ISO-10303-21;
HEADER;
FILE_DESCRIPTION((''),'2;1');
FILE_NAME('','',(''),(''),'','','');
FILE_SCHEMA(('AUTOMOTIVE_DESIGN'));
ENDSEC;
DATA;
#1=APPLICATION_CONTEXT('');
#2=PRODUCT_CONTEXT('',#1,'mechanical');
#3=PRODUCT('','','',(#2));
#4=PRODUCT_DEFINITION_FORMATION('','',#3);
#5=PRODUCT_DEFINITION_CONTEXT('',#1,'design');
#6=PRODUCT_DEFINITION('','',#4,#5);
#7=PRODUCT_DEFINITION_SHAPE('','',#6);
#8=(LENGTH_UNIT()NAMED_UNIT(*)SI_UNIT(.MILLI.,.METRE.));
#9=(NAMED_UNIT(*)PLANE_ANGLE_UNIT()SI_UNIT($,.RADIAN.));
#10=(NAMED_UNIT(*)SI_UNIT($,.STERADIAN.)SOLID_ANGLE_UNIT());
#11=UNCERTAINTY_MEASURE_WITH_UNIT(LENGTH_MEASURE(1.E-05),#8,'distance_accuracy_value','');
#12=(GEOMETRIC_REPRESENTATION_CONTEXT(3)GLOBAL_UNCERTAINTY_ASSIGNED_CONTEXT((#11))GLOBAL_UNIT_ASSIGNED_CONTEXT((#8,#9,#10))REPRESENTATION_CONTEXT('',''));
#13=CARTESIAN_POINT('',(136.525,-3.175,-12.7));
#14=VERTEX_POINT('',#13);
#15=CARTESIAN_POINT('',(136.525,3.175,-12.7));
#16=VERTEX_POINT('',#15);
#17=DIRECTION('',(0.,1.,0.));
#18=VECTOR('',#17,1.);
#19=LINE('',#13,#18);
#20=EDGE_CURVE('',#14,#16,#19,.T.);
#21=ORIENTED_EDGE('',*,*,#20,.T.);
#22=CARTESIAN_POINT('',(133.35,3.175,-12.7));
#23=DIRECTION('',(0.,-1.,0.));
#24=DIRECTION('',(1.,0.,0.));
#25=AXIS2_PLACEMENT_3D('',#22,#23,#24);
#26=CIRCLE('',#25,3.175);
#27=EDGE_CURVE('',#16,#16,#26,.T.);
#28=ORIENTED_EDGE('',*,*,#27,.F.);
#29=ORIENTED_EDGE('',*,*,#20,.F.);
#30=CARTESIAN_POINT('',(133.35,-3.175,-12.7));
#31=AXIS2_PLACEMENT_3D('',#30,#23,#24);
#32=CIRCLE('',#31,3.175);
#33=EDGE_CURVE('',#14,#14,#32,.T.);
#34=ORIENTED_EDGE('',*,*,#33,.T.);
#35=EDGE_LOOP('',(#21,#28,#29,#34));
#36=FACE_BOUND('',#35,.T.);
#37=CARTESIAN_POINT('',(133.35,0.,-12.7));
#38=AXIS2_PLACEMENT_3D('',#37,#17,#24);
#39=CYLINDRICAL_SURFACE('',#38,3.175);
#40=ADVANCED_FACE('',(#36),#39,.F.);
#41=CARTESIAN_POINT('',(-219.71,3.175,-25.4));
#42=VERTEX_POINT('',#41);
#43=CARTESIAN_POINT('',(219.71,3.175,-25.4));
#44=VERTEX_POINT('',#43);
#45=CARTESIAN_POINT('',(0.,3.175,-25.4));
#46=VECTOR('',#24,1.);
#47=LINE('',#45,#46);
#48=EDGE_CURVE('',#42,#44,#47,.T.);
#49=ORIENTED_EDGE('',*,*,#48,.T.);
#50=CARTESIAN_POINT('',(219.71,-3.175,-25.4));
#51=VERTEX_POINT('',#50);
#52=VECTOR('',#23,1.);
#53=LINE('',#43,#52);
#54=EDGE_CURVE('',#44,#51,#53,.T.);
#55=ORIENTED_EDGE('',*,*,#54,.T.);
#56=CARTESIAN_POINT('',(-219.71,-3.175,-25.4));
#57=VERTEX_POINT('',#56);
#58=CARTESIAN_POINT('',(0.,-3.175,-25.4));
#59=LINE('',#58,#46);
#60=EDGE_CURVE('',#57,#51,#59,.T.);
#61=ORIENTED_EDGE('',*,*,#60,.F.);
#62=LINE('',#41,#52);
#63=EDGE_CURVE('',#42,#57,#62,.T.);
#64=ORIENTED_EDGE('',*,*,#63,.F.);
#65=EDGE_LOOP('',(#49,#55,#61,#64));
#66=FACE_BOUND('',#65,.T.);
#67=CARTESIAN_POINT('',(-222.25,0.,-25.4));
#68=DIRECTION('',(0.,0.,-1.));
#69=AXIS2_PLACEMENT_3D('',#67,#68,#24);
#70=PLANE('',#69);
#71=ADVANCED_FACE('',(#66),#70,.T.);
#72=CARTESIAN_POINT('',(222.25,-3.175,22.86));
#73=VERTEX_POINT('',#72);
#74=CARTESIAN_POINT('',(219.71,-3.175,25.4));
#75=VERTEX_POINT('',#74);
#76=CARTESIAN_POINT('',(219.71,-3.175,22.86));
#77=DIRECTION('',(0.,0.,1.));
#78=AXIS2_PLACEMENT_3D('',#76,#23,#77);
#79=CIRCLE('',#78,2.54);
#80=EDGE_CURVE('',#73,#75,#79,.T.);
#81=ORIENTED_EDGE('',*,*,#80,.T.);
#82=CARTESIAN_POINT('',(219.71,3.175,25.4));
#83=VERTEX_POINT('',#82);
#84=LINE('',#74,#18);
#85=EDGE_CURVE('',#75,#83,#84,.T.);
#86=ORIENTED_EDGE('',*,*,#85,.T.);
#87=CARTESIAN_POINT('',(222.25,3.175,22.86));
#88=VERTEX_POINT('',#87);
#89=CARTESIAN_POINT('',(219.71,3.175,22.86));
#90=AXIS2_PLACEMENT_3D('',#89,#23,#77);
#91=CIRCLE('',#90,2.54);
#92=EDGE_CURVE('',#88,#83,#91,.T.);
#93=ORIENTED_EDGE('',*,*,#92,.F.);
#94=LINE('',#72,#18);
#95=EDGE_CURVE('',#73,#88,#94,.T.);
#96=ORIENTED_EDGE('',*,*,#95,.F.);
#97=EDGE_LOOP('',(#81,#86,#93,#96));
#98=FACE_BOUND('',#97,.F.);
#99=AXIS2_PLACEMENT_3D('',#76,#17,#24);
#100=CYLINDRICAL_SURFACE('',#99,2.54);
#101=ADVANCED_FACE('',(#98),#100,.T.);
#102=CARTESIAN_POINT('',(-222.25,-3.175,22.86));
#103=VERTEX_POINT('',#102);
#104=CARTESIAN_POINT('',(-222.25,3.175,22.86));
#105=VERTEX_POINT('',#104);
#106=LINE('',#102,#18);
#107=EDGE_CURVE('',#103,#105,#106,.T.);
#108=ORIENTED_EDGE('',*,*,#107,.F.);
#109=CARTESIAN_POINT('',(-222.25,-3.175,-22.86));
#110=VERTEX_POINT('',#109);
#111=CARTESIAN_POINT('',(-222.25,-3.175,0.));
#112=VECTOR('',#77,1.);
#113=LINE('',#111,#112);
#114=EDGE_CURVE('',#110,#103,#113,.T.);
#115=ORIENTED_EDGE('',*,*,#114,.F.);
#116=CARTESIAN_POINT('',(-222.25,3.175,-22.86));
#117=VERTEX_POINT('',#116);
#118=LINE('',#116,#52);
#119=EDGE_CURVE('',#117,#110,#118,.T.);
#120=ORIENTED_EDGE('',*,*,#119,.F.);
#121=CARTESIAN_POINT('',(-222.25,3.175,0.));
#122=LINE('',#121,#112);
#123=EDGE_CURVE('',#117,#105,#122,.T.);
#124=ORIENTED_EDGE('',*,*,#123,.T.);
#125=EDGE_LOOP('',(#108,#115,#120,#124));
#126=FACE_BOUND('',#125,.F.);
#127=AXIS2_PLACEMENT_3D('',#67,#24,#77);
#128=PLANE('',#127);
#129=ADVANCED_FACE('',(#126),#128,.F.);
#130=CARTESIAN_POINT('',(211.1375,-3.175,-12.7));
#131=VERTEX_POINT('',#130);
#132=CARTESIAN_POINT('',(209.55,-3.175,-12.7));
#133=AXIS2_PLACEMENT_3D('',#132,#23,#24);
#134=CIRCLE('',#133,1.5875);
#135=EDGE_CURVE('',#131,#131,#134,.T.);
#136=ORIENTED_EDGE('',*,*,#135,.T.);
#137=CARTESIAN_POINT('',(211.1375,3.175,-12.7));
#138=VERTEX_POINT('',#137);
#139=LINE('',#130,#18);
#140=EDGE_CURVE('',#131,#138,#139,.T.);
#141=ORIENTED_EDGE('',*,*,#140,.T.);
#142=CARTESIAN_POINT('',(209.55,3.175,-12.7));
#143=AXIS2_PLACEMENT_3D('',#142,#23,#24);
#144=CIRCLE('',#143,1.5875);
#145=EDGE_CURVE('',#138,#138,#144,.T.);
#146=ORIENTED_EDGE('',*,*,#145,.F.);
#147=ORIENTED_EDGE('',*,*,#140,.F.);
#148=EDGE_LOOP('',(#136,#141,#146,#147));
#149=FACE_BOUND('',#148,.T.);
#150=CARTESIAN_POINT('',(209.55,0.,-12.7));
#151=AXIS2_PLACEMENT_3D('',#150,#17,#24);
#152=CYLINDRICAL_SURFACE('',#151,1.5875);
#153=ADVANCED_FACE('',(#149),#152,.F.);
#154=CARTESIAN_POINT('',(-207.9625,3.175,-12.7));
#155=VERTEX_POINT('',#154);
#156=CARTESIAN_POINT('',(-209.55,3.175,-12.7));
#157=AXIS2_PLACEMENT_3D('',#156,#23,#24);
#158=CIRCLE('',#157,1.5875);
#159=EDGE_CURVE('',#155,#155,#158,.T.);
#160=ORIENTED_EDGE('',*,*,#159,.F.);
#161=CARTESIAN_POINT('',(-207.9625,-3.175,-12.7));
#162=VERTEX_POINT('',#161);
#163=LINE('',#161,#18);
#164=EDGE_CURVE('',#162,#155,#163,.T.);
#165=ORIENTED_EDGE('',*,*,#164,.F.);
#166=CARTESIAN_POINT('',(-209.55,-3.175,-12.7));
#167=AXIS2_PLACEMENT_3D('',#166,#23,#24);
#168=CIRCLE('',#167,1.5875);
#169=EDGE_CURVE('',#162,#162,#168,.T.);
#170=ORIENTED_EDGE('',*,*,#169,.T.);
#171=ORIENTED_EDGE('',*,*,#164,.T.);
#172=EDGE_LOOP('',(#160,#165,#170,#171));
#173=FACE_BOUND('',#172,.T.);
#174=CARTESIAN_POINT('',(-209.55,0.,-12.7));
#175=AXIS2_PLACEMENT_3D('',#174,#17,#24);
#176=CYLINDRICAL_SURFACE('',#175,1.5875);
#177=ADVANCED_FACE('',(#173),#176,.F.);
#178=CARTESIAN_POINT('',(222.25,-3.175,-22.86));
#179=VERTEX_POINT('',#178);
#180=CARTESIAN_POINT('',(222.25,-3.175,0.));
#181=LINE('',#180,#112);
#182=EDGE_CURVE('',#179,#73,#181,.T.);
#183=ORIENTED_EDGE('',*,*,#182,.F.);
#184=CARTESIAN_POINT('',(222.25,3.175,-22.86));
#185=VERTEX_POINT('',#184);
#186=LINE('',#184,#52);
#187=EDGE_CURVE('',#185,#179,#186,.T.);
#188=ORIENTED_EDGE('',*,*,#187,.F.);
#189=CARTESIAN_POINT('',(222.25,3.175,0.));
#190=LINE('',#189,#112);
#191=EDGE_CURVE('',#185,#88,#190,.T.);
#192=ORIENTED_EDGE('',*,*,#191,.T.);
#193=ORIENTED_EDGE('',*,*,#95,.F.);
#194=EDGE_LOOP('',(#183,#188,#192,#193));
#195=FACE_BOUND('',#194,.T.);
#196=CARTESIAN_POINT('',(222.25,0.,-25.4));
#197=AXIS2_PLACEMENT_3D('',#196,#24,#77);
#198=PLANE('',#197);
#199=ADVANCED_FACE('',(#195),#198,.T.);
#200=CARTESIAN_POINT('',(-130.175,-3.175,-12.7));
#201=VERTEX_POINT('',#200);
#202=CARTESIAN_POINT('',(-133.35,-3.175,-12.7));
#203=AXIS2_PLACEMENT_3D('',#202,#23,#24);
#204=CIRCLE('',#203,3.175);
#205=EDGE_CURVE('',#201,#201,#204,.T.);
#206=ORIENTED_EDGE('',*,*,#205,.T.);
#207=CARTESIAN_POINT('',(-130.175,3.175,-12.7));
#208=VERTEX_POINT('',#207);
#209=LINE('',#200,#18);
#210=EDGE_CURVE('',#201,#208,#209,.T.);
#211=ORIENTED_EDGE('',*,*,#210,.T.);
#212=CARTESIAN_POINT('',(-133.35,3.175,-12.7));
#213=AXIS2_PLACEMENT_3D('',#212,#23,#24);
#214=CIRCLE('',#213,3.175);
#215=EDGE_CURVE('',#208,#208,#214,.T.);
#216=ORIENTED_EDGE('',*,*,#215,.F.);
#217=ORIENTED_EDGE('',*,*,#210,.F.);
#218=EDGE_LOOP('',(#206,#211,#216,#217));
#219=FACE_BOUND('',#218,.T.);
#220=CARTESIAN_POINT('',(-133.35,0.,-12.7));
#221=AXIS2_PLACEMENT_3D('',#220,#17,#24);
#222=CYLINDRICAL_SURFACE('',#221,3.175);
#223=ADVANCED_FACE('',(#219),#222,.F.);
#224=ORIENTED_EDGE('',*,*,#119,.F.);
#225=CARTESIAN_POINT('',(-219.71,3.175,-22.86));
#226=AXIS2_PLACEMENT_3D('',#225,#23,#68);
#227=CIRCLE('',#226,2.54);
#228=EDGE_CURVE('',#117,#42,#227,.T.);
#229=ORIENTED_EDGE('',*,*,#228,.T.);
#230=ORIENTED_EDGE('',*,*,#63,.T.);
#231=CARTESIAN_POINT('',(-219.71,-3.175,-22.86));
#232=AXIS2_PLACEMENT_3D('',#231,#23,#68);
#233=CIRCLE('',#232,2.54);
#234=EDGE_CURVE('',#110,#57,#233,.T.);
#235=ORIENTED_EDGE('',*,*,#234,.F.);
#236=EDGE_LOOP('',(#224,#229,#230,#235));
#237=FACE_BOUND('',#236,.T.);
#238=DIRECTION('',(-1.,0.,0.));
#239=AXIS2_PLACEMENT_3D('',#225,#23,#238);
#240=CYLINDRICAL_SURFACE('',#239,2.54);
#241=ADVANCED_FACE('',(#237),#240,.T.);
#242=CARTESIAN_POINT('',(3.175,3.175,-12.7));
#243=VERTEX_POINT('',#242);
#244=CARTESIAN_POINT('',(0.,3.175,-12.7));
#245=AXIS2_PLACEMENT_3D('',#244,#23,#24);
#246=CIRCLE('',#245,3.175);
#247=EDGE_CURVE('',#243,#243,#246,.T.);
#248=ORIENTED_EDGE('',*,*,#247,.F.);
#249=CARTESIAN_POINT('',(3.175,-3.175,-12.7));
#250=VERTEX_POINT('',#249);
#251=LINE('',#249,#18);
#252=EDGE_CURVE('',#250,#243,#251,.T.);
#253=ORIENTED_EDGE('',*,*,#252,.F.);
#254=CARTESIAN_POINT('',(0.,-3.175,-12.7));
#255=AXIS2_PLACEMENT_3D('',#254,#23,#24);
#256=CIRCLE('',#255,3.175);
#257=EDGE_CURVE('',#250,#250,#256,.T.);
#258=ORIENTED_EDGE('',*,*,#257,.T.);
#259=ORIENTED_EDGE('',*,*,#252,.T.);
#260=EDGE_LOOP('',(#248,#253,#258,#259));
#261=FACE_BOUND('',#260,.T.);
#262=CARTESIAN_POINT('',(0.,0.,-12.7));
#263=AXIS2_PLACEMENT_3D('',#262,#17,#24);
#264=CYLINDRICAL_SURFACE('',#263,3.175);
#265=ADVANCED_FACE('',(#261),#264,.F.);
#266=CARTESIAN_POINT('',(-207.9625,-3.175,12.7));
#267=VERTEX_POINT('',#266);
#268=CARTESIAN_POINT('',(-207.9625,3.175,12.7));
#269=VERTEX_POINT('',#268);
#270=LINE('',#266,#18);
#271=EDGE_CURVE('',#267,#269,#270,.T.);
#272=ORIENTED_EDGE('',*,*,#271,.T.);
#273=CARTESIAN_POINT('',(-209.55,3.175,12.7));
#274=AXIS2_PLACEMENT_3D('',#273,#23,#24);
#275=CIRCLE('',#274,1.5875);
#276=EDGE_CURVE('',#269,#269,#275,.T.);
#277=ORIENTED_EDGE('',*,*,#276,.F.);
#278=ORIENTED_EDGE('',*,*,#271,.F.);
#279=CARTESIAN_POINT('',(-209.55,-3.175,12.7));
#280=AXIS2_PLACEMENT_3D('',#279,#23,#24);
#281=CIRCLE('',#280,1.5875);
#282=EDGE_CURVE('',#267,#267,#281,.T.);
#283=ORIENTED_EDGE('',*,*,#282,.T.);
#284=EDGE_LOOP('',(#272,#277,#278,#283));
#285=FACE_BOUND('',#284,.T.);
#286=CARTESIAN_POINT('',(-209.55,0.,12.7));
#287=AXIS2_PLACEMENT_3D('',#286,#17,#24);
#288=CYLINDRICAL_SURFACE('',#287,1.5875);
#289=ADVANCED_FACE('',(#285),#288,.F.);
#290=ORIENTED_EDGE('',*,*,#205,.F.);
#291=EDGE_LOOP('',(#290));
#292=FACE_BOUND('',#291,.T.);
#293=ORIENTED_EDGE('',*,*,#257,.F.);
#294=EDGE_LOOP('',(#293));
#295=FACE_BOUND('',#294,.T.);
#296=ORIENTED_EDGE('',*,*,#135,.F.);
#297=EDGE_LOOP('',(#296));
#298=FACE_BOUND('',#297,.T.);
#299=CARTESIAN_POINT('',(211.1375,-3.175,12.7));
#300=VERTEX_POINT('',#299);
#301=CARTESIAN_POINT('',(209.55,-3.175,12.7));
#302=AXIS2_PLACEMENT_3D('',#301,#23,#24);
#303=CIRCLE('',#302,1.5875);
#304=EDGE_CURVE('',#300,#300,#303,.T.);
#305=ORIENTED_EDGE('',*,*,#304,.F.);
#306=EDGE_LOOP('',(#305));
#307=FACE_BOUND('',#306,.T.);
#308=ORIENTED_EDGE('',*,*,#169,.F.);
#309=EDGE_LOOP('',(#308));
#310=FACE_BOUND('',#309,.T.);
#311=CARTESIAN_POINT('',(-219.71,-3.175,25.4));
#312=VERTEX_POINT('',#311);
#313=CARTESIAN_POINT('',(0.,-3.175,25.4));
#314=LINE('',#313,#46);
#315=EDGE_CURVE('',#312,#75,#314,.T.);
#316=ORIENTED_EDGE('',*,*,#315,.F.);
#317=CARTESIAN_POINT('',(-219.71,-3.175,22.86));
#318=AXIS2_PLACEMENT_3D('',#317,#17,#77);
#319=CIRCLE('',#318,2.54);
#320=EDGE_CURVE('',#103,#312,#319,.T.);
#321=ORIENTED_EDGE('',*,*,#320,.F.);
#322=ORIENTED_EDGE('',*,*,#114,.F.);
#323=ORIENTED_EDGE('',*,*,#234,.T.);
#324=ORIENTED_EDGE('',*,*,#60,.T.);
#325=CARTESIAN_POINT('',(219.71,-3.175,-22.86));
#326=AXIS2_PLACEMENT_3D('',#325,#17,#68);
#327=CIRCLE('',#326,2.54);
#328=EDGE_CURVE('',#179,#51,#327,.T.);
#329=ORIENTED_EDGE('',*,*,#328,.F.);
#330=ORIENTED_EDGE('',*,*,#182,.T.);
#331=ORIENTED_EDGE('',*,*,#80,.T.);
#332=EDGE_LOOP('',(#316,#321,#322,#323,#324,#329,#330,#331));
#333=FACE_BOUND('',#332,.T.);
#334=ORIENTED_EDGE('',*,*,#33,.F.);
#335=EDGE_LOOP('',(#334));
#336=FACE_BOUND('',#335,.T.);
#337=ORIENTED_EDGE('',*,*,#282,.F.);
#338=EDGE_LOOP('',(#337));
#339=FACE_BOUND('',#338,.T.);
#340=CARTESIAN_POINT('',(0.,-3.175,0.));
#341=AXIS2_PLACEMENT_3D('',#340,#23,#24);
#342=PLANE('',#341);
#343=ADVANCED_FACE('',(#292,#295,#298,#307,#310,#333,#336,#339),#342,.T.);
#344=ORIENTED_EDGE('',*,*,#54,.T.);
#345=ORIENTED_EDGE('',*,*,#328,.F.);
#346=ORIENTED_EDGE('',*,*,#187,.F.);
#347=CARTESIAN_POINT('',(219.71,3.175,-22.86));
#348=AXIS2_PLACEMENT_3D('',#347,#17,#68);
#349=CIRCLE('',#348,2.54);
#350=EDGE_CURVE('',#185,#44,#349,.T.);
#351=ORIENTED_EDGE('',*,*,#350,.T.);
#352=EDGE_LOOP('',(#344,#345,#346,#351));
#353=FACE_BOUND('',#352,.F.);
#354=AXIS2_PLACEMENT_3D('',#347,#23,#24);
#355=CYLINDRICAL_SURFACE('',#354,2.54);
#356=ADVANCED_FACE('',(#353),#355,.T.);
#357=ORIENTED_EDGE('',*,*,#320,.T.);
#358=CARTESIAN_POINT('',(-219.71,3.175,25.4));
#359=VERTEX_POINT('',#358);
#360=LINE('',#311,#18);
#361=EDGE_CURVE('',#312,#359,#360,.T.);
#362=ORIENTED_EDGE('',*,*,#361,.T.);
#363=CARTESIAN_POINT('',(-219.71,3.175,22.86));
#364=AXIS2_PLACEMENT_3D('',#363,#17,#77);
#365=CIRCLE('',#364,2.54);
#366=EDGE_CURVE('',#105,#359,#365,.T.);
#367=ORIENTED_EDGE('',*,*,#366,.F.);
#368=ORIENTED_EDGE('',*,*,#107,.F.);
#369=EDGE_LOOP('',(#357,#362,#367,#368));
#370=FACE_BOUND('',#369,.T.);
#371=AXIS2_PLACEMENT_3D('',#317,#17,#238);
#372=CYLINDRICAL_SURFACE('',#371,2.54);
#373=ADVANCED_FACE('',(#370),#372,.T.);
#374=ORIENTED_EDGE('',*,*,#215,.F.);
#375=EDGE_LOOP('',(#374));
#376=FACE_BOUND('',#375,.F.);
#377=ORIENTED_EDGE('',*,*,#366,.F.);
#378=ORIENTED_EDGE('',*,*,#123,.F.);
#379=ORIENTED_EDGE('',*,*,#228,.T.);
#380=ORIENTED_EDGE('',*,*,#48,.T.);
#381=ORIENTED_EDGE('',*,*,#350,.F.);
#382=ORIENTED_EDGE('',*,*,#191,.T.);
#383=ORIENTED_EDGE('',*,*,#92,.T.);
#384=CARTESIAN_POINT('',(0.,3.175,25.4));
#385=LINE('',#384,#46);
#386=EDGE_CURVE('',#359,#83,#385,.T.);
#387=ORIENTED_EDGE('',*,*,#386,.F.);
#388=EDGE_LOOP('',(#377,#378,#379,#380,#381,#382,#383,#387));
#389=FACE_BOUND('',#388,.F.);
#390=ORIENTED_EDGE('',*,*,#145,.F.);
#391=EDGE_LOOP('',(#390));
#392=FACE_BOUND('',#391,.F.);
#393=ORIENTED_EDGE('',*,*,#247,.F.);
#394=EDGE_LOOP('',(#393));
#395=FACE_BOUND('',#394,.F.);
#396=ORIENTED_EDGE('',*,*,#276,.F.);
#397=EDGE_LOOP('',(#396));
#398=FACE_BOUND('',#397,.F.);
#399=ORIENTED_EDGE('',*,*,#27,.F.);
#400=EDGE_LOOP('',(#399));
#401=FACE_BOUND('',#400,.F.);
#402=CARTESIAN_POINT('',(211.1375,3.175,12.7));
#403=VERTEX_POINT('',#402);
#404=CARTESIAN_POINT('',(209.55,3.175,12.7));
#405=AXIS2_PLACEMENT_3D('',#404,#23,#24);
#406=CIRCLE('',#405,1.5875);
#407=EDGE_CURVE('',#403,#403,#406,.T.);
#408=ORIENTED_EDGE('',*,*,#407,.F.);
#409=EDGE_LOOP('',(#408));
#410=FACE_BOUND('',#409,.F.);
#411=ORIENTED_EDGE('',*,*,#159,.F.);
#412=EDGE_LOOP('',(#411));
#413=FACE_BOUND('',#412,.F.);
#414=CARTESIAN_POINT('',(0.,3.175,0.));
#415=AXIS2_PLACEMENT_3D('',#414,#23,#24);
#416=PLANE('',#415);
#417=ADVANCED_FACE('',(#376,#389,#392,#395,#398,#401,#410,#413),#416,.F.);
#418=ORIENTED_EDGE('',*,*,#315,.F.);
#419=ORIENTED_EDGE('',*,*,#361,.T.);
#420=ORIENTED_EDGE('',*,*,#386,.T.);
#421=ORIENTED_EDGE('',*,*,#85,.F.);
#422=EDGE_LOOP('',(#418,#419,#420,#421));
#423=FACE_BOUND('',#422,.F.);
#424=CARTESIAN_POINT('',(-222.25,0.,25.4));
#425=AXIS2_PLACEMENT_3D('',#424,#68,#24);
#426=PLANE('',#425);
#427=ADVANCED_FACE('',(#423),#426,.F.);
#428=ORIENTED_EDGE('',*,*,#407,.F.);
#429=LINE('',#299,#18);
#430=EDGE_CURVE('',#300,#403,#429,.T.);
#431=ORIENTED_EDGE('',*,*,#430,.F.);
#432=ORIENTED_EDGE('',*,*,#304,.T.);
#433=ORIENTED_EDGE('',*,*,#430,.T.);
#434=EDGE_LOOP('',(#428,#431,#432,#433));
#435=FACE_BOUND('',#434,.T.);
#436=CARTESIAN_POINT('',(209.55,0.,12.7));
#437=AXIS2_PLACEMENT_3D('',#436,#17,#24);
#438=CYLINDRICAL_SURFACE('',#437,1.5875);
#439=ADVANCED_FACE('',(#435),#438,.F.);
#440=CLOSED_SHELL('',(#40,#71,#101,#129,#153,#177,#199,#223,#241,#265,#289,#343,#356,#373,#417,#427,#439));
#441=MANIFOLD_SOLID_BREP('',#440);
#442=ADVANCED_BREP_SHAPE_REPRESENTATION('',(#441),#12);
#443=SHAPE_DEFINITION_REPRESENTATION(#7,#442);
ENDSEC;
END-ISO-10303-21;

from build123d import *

# Parameters (mm, degrees)
F0_W     = 444.5
F0_H     = 50.8
F0_R     = 1.5875
F0_R_2   = 3.175
F1_DEPTH = 3.175
F2_R     = 2.54


with BuildPart() as f1:
    # F0 (on Front) → F1 (new body, symmetric)
    with BuildSketch(Plane.XZ):
        Rectangle(F0_W, F0_H)
        with Locations((-209.55, -12.7)):
            Circle(F0_R, mode=Mode.SUBTRACT)
        with Locations((-133.35, -12.7)):
            Circle(F0_R_2, mode=Mode.SUBTRACT)
        with Locations((0, -12.7)):
            Circle(F0_R_2, mode=Mode.SUBTRACT)
        with Locations((133.35, -12.7)):
            Circle(F0_R_2, mode=Mode.SUBTRACT)
        with Locations((209.55, -12.7)):
            Circle(F0_R, mode=Mode.SUBTRACT)
        with Locations((-209.55, 12.7)):
            Circle(F0_R, mode=Mode.SUBTRACT)
        with Locations((209.55, 12.7)):
            Circle(F0_R, mode=Mode.SUBTRACT)
    extrude(amount=F1_DEPTH, both=True)

    # F2
    f2_edges = [f1.edges().sort_by_distance(p)[0] for p in [
        (-222.25, 0, 25.4),
        (-222.25, 0, -25.4),
        (222.25, 0, 25.4),
        (222.25, 0, -25.4),
    ]]
    fillet(f2_edges, radius=F2_R)


solid = f1.part
